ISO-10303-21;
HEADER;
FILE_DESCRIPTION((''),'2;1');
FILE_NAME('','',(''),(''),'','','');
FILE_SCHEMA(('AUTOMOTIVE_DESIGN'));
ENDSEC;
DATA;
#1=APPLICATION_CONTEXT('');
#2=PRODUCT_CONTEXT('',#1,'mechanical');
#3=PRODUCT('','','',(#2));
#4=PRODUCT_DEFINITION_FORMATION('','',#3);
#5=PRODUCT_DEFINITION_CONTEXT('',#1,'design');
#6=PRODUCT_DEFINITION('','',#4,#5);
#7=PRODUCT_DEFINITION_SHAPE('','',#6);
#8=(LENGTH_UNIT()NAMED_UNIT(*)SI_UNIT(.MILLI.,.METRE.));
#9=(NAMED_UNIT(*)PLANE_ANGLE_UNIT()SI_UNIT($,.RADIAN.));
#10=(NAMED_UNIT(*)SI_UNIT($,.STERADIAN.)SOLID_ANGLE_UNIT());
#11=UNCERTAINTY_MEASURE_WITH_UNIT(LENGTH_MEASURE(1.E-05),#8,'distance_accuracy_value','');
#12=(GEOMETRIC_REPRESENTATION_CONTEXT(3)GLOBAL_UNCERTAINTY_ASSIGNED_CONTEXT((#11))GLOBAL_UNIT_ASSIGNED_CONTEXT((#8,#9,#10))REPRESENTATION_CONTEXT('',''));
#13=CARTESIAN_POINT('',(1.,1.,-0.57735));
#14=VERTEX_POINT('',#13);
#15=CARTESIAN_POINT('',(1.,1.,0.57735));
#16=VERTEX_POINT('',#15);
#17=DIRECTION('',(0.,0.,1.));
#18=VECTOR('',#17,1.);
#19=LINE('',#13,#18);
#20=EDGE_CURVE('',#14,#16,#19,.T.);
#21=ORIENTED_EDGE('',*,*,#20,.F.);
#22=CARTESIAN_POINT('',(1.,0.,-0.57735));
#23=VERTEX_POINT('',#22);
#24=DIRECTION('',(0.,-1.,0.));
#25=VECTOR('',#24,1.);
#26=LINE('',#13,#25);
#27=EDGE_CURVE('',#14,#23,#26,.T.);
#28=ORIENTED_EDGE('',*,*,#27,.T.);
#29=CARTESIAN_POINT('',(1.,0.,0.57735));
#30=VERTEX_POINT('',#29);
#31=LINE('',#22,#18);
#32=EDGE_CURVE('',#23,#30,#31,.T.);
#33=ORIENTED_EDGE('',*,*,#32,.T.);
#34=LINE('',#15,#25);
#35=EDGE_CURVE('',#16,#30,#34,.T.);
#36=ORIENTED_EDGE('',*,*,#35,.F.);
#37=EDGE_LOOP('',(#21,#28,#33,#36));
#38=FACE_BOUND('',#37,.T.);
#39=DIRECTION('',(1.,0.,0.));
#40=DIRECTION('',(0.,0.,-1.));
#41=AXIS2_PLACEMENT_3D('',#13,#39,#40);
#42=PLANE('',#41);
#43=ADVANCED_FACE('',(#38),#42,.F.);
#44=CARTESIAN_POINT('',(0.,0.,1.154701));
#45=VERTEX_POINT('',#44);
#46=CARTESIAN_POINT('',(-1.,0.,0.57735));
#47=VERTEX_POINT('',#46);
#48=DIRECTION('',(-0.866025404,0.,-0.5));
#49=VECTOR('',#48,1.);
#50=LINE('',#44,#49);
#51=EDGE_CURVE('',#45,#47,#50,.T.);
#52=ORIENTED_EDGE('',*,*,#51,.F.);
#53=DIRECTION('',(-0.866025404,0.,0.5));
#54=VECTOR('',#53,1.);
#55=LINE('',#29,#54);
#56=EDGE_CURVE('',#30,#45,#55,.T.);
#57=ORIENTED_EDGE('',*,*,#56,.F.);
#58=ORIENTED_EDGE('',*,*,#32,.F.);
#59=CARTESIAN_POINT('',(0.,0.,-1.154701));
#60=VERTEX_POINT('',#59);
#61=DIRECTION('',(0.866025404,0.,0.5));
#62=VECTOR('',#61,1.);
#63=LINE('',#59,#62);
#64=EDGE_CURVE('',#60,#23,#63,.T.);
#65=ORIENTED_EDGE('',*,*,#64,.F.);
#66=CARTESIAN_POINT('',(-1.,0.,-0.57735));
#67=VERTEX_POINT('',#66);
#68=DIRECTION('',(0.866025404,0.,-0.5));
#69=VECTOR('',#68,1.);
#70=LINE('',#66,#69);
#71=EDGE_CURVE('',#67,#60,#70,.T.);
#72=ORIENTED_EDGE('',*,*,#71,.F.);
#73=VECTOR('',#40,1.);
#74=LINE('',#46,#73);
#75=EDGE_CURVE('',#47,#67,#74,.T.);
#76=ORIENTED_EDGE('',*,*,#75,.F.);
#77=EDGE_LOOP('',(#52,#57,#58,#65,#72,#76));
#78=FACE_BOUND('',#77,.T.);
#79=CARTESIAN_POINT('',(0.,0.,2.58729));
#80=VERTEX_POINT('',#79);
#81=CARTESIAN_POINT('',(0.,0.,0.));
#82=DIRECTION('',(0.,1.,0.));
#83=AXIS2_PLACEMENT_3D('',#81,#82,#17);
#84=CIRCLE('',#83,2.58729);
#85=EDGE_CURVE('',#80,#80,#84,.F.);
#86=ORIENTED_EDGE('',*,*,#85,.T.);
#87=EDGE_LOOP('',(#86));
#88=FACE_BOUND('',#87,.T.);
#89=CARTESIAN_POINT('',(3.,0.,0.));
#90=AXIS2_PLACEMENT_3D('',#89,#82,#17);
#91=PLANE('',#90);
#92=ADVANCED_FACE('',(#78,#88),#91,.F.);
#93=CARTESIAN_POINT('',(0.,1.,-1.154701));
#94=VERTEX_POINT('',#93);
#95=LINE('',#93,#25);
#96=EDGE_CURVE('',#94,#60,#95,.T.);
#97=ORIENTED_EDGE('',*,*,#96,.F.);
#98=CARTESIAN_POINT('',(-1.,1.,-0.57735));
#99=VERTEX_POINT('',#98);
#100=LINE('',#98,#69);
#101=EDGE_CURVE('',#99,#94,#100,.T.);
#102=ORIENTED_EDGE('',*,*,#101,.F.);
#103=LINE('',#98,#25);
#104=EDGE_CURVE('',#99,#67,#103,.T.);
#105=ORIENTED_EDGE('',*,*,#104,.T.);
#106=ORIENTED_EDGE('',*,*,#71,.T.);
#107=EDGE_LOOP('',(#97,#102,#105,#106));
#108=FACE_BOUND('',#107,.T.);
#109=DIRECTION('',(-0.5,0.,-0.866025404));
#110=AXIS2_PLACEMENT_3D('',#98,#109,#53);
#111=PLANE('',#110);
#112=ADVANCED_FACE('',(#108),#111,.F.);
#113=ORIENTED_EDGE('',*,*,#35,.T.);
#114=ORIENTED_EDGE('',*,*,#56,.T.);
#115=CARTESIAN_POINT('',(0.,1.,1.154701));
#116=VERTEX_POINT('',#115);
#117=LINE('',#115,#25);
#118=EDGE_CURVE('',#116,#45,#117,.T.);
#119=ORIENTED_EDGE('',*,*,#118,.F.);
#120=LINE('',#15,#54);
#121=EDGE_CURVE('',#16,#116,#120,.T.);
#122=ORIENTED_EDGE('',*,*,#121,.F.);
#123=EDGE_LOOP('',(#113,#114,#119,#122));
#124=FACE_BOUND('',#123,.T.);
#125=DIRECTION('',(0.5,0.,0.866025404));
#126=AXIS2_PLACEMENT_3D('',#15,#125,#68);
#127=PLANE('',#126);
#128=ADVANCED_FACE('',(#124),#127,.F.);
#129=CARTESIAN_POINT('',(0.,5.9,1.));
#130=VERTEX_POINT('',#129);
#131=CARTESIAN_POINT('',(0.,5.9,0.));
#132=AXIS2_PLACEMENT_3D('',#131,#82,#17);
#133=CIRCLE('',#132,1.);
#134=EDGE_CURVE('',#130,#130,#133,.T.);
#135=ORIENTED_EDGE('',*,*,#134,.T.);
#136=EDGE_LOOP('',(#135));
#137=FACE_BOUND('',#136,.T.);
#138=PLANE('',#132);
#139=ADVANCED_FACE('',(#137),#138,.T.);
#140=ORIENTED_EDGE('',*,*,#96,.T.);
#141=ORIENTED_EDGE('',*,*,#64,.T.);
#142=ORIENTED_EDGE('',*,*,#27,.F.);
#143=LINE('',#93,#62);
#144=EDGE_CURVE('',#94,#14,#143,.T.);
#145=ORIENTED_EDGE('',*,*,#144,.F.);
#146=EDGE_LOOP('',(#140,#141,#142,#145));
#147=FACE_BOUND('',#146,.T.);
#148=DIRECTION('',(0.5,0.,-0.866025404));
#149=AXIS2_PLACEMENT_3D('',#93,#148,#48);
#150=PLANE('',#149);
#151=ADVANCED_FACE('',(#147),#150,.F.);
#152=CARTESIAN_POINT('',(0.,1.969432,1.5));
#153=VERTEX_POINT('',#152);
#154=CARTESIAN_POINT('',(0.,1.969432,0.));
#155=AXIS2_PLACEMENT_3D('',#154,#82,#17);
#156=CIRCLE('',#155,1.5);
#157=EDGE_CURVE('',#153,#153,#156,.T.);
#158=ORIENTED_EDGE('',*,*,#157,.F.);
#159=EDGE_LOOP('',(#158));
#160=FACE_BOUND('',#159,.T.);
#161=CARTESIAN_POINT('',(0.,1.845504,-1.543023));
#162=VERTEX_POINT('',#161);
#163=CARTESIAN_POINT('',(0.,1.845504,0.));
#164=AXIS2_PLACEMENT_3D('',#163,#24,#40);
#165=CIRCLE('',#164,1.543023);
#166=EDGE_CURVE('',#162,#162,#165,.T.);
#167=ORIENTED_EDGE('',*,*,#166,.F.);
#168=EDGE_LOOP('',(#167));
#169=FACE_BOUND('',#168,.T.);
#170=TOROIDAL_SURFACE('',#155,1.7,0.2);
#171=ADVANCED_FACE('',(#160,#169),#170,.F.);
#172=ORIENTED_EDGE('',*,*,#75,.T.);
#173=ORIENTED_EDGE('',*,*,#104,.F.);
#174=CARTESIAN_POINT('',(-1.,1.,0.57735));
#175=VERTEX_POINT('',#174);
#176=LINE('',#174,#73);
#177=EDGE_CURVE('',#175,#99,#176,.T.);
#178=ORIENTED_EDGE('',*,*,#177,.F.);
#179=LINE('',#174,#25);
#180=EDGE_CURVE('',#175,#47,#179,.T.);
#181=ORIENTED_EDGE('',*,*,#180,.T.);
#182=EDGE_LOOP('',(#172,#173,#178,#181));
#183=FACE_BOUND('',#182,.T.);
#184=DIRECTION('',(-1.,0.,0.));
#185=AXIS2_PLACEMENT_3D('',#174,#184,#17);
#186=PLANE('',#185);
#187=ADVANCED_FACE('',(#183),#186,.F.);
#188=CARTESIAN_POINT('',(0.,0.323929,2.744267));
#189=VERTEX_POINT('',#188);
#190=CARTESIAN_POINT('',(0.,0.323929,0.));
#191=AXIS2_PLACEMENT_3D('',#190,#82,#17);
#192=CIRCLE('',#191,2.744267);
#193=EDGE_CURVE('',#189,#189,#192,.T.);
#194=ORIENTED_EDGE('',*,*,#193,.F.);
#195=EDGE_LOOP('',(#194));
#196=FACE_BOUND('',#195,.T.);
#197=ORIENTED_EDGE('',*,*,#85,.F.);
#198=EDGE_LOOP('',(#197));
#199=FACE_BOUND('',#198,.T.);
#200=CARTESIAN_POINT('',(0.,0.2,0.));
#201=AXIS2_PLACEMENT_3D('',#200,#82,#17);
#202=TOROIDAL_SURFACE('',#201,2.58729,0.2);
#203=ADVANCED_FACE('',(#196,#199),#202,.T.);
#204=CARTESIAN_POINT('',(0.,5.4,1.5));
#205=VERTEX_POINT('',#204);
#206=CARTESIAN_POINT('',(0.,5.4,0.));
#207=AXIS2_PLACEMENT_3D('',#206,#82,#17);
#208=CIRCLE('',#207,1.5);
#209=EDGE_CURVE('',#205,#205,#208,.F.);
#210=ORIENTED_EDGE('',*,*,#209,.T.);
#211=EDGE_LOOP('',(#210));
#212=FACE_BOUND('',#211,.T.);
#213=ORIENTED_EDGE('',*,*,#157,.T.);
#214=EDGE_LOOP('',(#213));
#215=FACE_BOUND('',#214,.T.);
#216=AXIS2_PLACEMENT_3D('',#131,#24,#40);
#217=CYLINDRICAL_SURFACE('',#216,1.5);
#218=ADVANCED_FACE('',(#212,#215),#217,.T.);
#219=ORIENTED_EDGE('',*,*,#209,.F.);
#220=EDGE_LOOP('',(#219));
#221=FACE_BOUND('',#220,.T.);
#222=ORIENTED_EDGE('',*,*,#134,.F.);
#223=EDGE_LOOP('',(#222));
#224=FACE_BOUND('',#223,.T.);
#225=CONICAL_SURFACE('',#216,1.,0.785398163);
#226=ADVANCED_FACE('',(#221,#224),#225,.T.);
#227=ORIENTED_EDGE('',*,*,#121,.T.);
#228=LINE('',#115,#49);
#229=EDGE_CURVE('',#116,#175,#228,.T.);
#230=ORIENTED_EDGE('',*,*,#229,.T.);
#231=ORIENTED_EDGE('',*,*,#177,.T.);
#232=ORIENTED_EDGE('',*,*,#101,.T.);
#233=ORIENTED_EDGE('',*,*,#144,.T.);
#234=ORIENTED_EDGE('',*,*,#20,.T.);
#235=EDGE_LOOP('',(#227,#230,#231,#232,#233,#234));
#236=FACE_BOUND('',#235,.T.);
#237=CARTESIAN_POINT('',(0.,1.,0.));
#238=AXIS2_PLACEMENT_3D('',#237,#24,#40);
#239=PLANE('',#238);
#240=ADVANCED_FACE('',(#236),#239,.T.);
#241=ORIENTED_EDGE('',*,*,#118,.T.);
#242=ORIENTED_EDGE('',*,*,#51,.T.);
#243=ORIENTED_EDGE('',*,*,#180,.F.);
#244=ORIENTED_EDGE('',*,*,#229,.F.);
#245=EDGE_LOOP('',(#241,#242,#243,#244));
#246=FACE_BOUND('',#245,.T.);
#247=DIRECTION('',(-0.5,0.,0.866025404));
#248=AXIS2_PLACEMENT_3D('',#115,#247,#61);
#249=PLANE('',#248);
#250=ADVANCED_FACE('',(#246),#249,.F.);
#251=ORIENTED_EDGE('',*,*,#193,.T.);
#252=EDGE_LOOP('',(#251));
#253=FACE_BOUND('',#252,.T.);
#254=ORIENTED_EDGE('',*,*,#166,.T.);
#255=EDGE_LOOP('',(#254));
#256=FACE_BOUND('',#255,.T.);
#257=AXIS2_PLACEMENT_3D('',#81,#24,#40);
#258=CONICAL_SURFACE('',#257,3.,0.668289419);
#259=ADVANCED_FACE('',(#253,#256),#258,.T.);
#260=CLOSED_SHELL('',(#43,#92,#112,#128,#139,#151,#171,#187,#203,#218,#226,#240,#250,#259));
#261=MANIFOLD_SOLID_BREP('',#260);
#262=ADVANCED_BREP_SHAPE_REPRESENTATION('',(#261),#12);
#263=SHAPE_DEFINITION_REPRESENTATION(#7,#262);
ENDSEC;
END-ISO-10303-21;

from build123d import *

# Parameters (mm, degrees)
SKETCH_2_R          = 1.5
EXTRUDE_1_DEPTH     = 4
CUT_EXTRUDE_1_DEPTH = 1
CHAMFER_1_SIZE      = 0.5
FILLET_1_R          = 0.2


with BuildPart() as part:
    # 草图1 → 旋转2 (revolve)
    with BuildSketch(Plane.XY, mode=Mode.PRIVATE) as revolve_2_sk:
        Polygon((0, 1.9), (1.5, 1.9), (3, 0), (0, 0), align=None)
    revolve(revolve_2_sk.sketch.rotate(Axis((0, 3.310292653, 0), (0, -1, 0)), 90), axis=Axis((0, 3.310292653, 0), (0, -1, 0)))

    # 草图2 → 凸台-拉伸1 (add)
    with BuildSketch(Plane(origin=(0, 1.9, 0), x_dir=(1, 0, 0), z_dir=(0, 1, 0))):
        with Locations(Location((0, 0, 0), (0, 0, 270))):
            Circle(SKETCH_2_R)
    extrude(amount=EXTRUDE_1_DEPTH)

    # 草图3 → 切除-拉伸1 (cut)
    with BuildSketch(Plane.XZ):
        Polygon((0, 1.154700538), (-1, 0.577350269), (-1, -0.577350269), (0, -1.154700538), (1, -0.577350269), (1, 0.577350269), align=None)
    extrude(amount=-CUT_EXTRUDE_1_DEPTH, mode=Mode.SUBTRACT)

    # 倒角1
    chamfer_1_edges = [part.edges().sort_by_distance(p)[0] for p in [
        (0, 5.9, -1.5),
    ]]
    chamfer(chamfer_1_edges, length=CHAMFER_1_SIZE)

    # 圆角1
    fillet_1_edges = [part.edges().sort_by_distance(p)[0] for p in [
        (0, 0, -3),
        (0, 1.9, -1.5),
    ]]
    fillet(fillet_1_edges, radius=FILLET_1_R)


solid = part.part
